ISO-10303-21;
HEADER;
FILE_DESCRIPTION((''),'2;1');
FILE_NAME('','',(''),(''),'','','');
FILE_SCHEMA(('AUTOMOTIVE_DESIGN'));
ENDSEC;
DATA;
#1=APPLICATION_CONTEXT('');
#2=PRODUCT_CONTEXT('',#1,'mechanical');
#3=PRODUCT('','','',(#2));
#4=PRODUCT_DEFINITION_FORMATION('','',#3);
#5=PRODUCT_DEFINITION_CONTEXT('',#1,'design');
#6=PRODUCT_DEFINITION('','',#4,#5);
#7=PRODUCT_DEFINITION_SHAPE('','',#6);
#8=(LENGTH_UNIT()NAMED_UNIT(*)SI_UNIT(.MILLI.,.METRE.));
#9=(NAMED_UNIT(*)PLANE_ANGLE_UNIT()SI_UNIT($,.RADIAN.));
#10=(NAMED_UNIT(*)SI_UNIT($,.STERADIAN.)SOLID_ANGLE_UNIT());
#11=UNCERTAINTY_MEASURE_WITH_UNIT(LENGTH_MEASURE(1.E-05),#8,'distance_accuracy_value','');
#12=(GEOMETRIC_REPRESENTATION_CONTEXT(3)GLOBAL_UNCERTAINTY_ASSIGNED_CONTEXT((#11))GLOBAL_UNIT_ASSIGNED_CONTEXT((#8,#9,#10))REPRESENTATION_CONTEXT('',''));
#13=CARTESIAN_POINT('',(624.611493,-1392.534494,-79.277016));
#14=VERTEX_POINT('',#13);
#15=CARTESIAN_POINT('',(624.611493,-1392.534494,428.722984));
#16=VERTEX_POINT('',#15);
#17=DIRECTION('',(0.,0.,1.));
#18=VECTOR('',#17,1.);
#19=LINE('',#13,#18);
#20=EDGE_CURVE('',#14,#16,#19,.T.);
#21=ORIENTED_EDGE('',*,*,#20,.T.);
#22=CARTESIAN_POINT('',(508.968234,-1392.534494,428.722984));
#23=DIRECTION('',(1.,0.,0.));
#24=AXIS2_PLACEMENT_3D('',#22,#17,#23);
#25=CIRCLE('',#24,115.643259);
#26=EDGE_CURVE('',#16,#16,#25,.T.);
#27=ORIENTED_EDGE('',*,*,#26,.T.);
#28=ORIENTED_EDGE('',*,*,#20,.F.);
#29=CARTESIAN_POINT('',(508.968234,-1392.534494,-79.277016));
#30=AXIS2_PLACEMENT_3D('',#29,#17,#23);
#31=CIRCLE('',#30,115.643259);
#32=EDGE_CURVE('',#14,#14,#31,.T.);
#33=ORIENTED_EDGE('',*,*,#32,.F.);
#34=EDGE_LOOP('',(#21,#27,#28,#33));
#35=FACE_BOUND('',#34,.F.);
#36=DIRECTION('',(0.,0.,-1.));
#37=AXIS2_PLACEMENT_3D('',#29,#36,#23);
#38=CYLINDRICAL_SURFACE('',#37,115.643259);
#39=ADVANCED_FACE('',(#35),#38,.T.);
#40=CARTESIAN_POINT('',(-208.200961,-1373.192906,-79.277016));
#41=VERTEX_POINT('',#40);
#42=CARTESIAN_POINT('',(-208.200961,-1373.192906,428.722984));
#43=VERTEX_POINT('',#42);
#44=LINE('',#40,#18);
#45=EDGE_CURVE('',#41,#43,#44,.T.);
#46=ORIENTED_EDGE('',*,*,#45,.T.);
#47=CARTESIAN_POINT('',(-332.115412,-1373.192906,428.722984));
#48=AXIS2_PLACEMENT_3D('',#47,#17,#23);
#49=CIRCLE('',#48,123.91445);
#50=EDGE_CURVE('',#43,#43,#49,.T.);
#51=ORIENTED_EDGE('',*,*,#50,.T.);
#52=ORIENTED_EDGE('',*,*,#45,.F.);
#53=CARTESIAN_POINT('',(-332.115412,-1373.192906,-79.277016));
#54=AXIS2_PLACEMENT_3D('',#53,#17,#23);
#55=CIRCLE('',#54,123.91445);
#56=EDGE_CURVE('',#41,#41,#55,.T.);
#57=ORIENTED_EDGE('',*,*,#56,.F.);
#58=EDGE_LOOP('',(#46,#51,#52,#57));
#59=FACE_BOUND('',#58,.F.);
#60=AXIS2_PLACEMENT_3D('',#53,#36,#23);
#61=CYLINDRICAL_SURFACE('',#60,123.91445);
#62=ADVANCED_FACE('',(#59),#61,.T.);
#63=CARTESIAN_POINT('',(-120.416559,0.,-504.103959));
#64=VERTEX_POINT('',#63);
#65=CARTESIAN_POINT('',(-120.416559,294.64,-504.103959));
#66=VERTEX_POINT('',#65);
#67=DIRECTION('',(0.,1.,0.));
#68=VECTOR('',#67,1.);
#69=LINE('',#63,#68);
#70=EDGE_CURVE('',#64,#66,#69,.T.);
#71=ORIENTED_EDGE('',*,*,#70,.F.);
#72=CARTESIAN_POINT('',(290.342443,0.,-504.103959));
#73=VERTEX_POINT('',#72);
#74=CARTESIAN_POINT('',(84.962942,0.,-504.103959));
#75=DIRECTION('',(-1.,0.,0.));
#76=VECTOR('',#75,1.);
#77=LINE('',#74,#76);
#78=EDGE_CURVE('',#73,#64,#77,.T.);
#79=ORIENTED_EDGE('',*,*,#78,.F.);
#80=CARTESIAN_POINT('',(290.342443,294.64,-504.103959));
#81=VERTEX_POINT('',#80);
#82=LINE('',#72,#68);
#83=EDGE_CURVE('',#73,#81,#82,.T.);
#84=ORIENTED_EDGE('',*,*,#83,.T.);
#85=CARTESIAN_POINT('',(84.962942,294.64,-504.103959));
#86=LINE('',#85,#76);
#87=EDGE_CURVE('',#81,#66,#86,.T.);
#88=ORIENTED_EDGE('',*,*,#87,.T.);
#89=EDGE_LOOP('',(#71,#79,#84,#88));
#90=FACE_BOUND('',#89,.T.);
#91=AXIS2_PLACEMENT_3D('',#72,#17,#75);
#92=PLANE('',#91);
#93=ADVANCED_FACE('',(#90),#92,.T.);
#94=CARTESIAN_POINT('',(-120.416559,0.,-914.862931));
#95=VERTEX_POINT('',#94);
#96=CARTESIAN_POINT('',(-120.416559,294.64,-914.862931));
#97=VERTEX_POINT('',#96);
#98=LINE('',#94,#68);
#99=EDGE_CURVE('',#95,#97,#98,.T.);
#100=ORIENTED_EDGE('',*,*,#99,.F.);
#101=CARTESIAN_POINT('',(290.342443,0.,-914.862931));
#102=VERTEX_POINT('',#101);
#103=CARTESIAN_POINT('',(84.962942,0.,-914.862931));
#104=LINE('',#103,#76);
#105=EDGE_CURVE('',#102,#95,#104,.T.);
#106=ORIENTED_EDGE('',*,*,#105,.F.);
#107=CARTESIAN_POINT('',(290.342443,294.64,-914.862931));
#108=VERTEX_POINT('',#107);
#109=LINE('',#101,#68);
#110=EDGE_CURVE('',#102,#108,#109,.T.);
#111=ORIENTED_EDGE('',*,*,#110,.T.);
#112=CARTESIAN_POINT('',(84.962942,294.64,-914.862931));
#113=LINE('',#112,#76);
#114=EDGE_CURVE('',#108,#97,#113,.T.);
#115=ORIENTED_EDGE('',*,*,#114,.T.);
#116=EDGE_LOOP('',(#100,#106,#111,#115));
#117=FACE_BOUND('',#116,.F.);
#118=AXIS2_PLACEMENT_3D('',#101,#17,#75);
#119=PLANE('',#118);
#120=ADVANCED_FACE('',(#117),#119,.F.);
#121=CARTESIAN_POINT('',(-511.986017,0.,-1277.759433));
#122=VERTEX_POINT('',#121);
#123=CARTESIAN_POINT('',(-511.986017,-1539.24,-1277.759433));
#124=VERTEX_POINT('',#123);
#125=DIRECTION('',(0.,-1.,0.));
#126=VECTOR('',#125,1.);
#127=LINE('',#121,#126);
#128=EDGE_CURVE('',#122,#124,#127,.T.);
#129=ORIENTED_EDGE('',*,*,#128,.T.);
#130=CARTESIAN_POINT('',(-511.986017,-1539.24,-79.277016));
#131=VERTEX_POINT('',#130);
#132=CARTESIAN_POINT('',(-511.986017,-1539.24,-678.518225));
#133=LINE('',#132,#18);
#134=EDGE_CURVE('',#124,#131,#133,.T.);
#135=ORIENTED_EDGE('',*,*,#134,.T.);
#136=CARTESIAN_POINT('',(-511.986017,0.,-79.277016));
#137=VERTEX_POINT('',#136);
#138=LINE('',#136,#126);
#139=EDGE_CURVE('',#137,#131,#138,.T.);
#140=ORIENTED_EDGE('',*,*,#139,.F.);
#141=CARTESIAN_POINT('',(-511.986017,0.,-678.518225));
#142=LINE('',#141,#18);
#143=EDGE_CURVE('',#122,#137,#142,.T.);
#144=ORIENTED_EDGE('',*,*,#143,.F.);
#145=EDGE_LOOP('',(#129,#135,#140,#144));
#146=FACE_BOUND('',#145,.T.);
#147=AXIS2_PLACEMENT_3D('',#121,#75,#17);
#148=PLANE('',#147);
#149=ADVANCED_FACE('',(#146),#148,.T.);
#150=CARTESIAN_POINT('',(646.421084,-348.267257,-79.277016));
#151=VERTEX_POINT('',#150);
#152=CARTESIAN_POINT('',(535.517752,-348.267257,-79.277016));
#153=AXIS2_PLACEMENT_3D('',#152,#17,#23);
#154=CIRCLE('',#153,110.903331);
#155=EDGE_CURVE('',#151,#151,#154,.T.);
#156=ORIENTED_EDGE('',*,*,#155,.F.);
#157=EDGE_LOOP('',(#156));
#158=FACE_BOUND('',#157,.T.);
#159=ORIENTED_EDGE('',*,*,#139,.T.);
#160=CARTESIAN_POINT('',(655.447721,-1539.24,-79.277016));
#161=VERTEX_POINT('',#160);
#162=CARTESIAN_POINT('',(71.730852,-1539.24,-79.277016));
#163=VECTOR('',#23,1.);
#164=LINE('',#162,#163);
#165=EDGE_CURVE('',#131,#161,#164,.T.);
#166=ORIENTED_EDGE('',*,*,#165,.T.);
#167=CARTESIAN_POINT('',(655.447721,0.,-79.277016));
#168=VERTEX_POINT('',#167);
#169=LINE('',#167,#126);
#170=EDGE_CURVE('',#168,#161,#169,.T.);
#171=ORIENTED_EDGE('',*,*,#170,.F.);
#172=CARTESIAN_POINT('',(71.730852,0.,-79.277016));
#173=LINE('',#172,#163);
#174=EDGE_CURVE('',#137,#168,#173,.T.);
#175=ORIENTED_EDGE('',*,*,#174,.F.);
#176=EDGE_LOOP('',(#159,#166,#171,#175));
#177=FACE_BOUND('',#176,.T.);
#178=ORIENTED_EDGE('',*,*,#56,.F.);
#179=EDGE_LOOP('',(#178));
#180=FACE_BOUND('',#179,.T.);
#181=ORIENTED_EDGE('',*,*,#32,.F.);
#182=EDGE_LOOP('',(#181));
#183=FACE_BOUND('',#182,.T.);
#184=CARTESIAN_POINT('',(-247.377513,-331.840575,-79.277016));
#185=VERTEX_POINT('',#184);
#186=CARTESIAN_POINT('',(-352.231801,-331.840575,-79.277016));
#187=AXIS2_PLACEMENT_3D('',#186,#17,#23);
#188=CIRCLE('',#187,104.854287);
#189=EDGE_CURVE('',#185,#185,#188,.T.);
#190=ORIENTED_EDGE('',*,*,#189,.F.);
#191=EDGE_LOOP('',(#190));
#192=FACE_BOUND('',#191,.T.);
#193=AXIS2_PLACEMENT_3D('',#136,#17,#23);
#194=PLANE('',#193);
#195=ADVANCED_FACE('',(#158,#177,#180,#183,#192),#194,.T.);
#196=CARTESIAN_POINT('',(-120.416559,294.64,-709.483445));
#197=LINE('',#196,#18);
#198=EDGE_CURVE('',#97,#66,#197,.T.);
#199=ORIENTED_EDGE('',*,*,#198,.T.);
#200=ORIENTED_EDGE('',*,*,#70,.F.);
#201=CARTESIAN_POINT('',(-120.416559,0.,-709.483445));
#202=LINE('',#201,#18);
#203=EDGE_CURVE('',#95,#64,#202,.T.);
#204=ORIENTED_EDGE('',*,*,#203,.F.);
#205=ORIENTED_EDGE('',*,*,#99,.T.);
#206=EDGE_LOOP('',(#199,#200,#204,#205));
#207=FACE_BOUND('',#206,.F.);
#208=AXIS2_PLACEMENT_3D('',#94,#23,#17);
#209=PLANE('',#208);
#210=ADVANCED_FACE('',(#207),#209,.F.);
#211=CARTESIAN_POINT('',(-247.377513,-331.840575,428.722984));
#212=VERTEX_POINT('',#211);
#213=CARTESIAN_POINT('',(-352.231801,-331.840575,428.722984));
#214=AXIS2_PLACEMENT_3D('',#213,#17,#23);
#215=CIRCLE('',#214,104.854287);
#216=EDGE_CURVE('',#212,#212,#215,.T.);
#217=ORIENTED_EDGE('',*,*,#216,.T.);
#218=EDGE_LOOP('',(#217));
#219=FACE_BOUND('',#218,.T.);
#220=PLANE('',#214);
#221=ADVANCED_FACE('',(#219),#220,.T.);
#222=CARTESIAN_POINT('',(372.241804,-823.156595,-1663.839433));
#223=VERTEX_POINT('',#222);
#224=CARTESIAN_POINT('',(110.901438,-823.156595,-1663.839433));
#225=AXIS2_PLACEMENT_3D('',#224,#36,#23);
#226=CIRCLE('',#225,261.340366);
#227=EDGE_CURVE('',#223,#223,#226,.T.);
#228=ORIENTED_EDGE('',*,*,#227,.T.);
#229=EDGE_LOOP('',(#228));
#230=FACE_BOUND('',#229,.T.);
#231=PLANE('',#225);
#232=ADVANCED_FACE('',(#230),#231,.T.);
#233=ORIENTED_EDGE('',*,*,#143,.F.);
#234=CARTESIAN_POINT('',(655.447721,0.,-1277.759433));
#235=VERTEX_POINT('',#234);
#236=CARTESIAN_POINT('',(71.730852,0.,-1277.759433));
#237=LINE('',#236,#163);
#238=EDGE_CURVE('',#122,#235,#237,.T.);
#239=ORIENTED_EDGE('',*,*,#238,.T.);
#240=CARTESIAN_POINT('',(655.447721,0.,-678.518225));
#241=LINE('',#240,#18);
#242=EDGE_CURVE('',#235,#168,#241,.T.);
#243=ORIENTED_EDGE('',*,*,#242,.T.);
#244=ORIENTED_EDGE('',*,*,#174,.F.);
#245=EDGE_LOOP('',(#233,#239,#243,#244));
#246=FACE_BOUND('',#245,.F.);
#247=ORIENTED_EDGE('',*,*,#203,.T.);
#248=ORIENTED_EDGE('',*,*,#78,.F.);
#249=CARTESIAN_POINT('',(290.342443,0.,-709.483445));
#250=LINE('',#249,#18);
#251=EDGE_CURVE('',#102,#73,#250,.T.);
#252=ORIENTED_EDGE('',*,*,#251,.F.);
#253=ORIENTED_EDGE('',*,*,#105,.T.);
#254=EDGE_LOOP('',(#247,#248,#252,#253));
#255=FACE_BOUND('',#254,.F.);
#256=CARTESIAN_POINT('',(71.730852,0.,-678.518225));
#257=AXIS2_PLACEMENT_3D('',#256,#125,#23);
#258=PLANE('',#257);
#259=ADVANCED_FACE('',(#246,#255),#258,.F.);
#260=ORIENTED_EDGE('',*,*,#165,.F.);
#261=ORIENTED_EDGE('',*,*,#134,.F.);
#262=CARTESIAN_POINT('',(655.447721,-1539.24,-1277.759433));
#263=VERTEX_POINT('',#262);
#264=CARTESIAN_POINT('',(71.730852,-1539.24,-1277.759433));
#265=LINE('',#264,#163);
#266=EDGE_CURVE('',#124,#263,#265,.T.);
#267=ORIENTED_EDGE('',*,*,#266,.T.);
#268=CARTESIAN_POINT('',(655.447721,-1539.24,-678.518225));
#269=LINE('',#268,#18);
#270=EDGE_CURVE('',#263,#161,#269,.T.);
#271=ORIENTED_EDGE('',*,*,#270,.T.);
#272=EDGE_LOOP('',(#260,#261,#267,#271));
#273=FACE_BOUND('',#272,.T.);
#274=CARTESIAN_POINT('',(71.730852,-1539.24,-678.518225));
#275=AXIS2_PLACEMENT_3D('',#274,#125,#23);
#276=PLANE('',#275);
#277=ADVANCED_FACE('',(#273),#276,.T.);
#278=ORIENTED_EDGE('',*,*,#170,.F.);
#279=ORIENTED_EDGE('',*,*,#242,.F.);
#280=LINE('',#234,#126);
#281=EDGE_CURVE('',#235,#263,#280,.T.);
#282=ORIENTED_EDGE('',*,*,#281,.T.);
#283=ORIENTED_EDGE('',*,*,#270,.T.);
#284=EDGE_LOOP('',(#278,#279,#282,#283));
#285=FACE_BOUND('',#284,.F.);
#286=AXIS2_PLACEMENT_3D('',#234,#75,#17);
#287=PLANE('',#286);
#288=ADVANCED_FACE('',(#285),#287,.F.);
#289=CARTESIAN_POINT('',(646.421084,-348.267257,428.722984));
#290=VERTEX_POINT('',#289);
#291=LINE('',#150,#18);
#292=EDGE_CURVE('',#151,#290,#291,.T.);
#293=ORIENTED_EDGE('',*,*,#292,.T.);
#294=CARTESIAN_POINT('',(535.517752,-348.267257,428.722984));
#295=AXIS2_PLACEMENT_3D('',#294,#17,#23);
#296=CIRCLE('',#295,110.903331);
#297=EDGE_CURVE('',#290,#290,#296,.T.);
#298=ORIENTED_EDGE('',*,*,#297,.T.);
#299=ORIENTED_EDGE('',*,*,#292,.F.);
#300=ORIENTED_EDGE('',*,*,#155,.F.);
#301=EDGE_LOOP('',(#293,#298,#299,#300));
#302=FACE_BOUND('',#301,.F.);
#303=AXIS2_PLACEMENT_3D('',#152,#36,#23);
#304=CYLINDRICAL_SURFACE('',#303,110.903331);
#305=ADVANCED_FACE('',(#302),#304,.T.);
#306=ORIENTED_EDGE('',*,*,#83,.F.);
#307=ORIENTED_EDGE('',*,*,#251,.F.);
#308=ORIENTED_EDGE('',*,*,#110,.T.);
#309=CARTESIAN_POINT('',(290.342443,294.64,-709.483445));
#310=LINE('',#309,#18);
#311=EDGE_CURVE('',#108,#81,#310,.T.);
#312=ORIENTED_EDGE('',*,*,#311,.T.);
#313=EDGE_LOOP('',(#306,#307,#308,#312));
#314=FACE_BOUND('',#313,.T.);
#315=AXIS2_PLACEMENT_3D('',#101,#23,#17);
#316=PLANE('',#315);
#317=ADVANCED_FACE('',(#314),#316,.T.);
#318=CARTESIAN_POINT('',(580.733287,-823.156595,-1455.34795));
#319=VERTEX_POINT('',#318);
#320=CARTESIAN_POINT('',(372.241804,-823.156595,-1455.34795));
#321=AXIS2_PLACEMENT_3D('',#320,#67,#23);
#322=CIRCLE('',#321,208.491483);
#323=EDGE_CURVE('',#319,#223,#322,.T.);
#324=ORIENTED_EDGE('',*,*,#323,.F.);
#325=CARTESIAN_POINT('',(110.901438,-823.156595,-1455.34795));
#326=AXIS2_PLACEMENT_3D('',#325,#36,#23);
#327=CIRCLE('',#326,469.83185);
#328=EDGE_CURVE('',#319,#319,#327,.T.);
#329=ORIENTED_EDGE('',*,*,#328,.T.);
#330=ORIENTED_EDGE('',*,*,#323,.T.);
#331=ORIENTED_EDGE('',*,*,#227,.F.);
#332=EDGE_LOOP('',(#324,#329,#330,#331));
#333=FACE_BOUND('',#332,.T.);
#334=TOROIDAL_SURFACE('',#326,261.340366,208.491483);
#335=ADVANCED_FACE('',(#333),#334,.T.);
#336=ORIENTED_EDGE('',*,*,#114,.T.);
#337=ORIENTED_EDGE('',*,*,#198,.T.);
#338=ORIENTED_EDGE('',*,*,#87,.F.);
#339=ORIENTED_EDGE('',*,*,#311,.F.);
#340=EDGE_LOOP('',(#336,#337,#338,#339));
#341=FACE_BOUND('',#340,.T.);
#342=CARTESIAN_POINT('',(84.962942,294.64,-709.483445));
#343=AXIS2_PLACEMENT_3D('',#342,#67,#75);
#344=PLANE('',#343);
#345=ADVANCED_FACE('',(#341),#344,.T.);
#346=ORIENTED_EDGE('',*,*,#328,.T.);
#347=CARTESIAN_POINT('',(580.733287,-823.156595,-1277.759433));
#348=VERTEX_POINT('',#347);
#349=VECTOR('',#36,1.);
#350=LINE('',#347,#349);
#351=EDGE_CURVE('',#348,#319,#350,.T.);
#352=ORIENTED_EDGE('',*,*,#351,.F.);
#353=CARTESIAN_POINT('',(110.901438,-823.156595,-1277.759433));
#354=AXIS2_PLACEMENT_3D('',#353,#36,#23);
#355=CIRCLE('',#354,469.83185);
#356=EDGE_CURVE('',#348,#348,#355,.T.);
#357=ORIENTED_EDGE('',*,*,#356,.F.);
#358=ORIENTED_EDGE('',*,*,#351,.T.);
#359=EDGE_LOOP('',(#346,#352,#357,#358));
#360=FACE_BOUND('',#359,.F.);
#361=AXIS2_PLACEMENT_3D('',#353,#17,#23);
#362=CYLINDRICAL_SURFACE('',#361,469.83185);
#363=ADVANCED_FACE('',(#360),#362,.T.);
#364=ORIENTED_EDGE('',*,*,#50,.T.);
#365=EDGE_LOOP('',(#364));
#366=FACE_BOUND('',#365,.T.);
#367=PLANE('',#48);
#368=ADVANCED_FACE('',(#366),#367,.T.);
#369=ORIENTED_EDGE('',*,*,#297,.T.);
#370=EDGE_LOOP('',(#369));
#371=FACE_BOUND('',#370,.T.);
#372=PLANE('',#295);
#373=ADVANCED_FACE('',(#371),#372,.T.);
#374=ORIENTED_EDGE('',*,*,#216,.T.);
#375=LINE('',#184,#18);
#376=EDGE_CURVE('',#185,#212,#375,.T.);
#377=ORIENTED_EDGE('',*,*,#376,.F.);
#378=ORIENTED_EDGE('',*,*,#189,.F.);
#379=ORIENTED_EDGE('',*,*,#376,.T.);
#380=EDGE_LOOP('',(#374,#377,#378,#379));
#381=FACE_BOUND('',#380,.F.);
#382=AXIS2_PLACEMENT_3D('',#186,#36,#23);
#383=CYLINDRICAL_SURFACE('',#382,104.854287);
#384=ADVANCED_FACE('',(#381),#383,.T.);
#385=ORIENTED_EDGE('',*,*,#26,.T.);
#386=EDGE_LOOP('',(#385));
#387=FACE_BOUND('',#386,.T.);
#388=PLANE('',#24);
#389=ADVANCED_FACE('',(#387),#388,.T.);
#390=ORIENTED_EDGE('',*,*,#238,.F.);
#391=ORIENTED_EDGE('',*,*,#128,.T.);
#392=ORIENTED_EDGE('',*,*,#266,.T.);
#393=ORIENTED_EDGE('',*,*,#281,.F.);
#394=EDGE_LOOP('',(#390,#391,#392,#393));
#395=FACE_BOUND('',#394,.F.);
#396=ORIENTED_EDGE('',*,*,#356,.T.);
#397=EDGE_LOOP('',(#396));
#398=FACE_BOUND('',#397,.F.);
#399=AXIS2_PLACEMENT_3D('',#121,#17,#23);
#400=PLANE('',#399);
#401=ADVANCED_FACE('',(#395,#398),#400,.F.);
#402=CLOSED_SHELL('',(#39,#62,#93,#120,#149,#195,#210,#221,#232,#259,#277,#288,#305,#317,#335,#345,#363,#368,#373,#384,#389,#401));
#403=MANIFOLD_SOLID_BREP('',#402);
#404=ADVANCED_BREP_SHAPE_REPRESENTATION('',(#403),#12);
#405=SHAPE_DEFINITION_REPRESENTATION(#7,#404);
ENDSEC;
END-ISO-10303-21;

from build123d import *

# Parameters (mm, degrees)
F0_W     = 1167.4337387085
F0_H     = 1198.4824165702
F1_DEPTH = 1539.24
F3_R     = 123.9144502876
F3_R_2   = 110.9033314698
F3_R_3   = 115.6432590045
F2_R     = 104.8542871517
F4_DEPTH = 508
F5_W     = 410.7590019703
F5_H     = 410.758972168
F6_DEPTH = 294.64
F7_R     = 469.8318495328
F8_DEPTH = 386.08
F9_R     = 208.4914832465


with BuildPart() as f1:
    # F0 (on Front) → F1 (new body)
    with BuildSketch(Plane.XZ):
        with Locations((71.7308521271, -678.5182245076)):
            Rectangle(F0_W, F0_H)
    extrude(amount=F1_DEPTH)

    # F3 (on face) + F2 (on face) → F4 (join)
    with BuildSketch(Plane.XY.offset(-79.2770162225)):
        with Locations((-332.1154117584, -1373.1929063797)):
            Circle(F3_R)
        with Locations((535.5177521706, -348.2672572136)):
            Circle(F3_R_2)
        with Locations((508.9682340622, -1392.5344944)):
            Circle(F3_R_3)
    with BuildSketch(Plane.XY.offset(-79.2770162225)):
        with Locations((-352.2318005562, -331.8405747414)):
            Circle(F2_R)
    extrude(amount=F4_DEPTH)

    # F5 (on face) → F6 (join)
    with BuildSketch(Plane(origin=(0, 0, 0), x_dir=(-1, 0, 0), z_dir=(0, 1, 0))):
        with Locations((-84.9629417062, -709.4834446907)):
            Rectangle(F5_W, F5_H)
    extrude(amount=F6_DEPTH)

    # F7 (on face) → F8 (join)
    with BuildSketch(Plane(origin=(0, 0, -1277.7594327927), x_dir=(1, 0, 0), z_dir=(0, 0, -1))):
        with Locations((110.9014376998, 823.1565952301)):
            Circle(F7_R)
    extrude(amount=F8_DEPTH)

    # F9
    f9_edges = [f1.edges().sort_by_distance(p)[0] for p in [
        (-358.930412, -823.156595, -1663.839433),
    ]]
    fillet(f9_edges, radius=F9_R)


solid = f1.part
